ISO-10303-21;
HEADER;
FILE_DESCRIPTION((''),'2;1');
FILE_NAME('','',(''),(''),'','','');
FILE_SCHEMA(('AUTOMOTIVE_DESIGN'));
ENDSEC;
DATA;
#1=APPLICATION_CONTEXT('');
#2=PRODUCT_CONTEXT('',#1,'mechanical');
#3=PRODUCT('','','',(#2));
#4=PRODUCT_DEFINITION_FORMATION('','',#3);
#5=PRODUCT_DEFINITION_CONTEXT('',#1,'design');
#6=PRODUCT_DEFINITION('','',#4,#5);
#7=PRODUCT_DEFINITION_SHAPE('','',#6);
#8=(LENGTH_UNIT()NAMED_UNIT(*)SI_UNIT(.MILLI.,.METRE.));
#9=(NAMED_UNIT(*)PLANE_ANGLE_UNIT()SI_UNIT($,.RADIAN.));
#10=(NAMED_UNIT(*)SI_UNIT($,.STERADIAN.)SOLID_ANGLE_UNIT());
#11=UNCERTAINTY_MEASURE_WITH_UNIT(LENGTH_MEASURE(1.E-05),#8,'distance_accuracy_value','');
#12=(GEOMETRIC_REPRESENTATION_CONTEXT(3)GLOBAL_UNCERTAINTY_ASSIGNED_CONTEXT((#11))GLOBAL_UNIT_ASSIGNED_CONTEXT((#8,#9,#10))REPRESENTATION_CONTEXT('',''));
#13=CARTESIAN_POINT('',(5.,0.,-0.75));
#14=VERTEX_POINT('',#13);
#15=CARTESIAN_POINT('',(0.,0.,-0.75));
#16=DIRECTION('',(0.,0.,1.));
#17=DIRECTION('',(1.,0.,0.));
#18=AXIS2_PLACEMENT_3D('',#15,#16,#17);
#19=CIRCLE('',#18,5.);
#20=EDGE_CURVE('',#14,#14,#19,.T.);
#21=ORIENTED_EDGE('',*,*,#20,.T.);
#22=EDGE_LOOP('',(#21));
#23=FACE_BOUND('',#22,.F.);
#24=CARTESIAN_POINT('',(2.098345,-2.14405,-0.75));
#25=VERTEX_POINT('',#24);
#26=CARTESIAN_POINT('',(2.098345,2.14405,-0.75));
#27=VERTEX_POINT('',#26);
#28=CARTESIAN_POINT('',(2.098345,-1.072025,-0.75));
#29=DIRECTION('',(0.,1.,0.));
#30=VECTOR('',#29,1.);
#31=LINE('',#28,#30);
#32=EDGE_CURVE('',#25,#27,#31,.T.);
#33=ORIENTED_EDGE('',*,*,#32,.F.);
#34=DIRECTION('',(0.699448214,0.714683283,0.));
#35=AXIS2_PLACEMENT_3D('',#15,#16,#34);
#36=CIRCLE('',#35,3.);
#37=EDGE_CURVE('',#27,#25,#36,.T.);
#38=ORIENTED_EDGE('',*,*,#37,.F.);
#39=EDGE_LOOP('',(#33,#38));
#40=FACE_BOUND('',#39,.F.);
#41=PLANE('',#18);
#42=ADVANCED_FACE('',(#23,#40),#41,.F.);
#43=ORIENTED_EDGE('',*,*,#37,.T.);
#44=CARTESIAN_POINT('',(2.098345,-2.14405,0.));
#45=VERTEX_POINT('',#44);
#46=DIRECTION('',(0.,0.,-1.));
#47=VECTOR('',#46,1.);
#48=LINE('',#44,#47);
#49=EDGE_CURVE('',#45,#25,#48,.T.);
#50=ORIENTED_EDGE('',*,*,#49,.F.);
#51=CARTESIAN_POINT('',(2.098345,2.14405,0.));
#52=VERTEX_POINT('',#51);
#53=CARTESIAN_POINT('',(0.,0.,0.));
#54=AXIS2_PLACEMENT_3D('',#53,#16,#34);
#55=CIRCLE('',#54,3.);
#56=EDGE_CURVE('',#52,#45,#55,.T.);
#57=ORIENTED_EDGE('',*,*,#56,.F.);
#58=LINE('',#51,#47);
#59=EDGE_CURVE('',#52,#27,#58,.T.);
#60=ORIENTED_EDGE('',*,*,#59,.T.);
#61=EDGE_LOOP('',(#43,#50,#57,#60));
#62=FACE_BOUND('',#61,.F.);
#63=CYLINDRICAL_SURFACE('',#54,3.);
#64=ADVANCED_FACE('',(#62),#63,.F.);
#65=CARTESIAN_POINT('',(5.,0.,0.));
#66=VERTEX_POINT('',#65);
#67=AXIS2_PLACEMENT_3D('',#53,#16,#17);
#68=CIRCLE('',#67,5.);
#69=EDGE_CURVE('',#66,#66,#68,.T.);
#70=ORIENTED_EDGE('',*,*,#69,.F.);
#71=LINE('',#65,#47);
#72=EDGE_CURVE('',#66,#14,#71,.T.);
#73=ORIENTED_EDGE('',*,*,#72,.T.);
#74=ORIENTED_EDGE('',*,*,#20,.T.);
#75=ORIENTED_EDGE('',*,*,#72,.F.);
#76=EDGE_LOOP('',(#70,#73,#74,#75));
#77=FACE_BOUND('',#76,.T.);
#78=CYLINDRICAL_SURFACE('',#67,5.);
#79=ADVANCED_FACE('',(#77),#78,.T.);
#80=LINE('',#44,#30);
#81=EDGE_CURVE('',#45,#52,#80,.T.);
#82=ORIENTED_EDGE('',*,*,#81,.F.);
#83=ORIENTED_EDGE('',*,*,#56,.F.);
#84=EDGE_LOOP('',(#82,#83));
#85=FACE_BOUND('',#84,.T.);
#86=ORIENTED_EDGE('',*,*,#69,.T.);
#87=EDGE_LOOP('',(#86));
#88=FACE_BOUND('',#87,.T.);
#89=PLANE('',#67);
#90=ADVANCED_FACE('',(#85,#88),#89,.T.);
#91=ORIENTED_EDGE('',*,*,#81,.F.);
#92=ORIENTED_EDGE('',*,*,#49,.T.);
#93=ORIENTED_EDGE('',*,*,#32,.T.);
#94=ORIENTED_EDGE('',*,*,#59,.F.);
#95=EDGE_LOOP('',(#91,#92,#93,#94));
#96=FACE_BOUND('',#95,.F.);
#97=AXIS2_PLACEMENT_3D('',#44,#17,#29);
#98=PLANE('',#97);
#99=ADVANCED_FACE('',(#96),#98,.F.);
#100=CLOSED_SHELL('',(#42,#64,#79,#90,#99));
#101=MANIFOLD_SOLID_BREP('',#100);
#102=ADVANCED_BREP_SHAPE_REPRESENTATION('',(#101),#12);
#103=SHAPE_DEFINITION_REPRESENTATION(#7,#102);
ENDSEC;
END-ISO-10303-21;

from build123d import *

# Parameters (mm, degrees)
F0_R     = 5
F1_DEPTH = 0.75
F3_DEPTH = 0.751


with BuildPart() as f1:
    # F0 (on Top) → F1 (new body)
    with BuildSketch(Plane.XY):
        Circle(F0_R)
    extrude(amount=-F1_DEPTH)

    # F2 (on Top) → F3 (cut, through all)
    with BuildSketch(Plane.XY):
        with BuildLine():
            Line((2.098345, -2.14405), (2.098345, 2.14405))
            ThreePointArc((2.098345, 2.14405), (-3, 0), (2.098345, -2.14405))
        make_face()
    extrude(amount=-F3_DEPTH, mode=Mode.SUBTRACT)


solid = f1.part
